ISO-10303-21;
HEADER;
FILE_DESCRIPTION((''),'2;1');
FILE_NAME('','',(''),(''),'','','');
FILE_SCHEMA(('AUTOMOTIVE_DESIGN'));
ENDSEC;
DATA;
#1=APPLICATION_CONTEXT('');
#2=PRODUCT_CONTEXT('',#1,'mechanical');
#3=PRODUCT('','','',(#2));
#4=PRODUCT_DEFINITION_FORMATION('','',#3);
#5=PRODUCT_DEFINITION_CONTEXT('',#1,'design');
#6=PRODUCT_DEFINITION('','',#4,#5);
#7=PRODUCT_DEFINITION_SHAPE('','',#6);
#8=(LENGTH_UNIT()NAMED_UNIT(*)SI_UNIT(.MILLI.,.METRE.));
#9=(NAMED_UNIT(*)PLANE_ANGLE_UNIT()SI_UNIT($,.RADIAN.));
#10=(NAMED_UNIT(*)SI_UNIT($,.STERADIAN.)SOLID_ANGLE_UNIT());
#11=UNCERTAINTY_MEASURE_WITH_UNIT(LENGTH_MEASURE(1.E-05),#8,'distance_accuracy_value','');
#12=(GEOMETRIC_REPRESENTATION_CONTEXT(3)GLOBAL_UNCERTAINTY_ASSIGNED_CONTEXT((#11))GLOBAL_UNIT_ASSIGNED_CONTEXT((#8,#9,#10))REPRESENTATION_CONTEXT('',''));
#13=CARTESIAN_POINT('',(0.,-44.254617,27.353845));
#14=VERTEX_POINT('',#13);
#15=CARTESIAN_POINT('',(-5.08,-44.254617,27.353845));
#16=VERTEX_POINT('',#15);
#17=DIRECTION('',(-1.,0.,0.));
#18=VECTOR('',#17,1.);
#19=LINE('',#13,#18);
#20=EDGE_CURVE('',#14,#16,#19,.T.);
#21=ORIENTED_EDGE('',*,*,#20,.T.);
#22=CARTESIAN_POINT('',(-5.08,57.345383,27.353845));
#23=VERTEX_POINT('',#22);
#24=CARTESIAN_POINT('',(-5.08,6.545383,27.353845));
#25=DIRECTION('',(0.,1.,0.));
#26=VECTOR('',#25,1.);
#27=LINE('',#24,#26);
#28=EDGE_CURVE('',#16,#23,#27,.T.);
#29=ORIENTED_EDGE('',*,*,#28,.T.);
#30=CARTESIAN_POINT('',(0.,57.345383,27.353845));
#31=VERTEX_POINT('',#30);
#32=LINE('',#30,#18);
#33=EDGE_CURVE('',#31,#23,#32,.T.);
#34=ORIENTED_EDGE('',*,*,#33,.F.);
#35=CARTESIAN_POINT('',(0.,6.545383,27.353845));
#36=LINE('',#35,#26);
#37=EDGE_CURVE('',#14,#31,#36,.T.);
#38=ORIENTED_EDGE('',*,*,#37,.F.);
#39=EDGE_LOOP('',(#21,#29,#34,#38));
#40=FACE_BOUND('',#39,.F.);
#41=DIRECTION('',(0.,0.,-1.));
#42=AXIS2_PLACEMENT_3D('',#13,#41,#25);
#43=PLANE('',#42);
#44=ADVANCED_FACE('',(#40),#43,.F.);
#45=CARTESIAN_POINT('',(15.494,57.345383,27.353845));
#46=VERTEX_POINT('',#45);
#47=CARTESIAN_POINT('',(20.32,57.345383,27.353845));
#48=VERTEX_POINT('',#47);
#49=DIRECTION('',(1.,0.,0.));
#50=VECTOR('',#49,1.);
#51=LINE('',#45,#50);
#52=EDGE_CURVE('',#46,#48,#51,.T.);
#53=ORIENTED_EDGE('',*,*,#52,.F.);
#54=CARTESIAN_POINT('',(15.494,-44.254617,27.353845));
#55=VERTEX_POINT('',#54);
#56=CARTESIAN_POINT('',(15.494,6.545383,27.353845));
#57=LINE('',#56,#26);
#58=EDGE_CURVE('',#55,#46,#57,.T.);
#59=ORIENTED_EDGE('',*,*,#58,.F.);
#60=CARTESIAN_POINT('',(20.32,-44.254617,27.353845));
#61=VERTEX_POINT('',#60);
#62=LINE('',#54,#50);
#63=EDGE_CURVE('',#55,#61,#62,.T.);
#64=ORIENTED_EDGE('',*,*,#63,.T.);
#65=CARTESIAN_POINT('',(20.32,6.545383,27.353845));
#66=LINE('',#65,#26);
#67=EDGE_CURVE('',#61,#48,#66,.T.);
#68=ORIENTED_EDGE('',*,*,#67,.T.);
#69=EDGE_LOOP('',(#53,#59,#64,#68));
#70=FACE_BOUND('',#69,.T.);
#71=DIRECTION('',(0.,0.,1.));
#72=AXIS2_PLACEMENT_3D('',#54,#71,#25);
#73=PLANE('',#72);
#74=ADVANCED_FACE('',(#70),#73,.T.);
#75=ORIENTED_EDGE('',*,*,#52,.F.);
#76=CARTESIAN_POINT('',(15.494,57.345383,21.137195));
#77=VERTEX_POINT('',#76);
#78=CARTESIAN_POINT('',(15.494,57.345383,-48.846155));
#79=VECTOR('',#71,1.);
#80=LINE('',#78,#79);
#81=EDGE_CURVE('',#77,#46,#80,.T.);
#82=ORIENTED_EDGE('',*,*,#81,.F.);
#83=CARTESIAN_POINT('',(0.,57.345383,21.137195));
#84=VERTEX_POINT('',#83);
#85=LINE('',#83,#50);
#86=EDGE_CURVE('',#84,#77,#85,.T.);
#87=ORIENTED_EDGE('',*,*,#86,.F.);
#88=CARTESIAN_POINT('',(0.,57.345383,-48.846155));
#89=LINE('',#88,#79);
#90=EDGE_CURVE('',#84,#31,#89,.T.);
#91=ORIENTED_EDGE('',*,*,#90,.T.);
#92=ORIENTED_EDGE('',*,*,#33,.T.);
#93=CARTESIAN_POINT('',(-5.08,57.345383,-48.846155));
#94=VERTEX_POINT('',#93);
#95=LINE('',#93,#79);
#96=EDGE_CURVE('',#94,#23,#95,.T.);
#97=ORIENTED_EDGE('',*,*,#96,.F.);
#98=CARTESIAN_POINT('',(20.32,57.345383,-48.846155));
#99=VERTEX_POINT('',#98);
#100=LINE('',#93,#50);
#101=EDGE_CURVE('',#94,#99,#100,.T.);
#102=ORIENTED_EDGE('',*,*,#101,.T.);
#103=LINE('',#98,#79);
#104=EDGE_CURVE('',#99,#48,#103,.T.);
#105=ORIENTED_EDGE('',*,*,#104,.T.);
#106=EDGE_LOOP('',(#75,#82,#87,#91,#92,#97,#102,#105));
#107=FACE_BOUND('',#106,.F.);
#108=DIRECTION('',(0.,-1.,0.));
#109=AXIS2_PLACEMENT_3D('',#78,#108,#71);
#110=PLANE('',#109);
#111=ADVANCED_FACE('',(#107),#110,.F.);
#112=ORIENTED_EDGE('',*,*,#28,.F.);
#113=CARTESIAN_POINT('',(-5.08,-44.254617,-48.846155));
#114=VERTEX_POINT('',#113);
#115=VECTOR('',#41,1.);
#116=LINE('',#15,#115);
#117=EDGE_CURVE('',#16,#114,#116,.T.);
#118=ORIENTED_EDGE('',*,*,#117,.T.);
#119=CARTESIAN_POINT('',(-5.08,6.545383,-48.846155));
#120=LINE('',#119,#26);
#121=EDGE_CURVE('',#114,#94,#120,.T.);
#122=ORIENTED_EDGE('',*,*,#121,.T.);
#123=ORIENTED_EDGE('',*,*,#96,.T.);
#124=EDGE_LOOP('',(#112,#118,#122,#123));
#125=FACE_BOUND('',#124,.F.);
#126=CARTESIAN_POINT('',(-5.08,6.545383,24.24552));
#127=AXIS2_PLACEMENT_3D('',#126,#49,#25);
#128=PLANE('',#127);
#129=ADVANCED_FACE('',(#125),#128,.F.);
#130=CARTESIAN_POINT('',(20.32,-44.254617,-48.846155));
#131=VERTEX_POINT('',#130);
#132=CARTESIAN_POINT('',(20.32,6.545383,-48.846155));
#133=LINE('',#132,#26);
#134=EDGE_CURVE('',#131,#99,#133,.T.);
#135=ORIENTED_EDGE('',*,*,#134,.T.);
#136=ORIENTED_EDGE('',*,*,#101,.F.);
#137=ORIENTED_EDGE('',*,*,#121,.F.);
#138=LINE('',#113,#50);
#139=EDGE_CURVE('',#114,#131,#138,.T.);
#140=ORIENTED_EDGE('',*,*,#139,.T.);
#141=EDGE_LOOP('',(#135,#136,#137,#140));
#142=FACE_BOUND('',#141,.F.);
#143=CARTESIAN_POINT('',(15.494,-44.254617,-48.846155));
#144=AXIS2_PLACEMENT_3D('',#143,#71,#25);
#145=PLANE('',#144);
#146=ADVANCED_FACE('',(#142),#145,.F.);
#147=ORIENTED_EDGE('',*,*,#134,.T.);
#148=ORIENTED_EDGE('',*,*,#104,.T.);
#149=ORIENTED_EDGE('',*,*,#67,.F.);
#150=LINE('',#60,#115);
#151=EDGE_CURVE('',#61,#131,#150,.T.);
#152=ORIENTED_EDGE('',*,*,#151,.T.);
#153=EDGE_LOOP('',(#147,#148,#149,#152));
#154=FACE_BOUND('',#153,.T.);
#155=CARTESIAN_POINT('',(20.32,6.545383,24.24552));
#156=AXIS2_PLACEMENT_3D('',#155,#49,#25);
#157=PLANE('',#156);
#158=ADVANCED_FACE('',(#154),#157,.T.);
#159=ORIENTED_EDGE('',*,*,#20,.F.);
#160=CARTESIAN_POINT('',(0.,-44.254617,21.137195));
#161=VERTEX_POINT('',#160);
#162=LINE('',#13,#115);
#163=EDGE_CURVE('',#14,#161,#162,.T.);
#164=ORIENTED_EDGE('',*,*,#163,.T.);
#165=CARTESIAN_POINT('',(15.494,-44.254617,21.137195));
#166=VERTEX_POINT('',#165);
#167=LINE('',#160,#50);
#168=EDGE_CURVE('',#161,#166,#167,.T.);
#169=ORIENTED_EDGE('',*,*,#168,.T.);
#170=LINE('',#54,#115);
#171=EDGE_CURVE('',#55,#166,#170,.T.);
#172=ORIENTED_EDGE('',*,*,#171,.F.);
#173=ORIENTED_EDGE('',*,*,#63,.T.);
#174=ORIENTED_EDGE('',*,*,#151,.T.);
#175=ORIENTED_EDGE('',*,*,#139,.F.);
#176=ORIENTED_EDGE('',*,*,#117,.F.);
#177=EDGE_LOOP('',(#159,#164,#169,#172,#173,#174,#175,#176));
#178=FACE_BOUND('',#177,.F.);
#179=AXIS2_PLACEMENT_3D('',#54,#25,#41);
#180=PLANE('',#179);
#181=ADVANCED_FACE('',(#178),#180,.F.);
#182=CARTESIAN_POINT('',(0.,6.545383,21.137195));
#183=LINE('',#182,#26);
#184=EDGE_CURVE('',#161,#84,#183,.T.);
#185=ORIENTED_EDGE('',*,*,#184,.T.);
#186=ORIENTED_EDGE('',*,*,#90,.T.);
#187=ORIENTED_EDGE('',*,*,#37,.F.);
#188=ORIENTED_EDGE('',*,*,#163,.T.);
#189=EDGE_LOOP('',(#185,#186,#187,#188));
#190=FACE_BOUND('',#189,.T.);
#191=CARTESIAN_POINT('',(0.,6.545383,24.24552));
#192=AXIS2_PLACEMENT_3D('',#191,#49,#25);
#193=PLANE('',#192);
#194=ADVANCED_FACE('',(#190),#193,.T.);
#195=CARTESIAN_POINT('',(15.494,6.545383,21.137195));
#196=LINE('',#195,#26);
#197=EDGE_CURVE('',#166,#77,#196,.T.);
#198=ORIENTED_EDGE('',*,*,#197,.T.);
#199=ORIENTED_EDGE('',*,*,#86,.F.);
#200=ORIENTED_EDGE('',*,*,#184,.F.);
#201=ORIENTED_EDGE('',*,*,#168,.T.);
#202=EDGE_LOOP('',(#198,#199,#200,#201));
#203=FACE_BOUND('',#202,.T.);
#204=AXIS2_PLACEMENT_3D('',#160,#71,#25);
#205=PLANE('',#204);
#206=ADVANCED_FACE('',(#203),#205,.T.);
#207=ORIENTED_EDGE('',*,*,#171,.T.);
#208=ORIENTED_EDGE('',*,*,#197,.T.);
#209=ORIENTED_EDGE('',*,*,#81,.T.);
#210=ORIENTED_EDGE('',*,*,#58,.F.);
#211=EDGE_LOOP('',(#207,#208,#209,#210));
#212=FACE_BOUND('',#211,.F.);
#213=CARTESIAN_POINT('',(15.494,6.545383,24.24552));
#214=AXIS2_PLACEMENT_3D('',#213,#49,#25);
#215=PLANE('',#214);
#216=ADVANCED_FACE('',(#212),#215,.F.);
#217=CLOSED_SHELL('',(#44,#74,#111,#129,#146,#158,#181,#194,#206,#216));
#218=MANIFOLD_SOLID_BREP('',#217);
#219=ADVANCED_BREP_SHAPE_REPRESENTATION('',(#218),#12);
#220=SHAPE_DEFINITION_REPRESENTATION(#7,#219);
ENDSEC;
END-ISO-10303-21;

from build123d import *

# Parameters (mm, degrees)
F0_W     = 101.6
F0_H     = 6.21665
F0_H_2   = 69.98335
F1_DEPTH = 5.08
F2_DEPTH = 15.494
F3_START = 15.494
F3_DEPTH = 4.826


with BuildPart() as f1:
    # F0 (on Right) → F1 (new body)
    with BuildSketch(Plane.YZ):
        with Locations((6.5453828692, 24.245519595)):
            Rectangle(F0_W, F0_H)
        with Locations((6.5453828692, -13.854480405)):
            Rectangle(F0_W, F0_H_2)
    extrude(amount=-F1_DEPTH)

    # F0 (on Right) → F2 (join)
    with BuildSketch(Plane.YZ):
        with Locations((6.5453828692, -13.854480405)):
            Rectangle(F0_W, F0_H_2)
    extrude(amount=F2_DEPTH)

    # F0 (on Right) → F3 (join)
    with BuildSketch(Plane.YZ.offset(F3_START)):
        with Locations((6.5453828692, 24.245519595)):
            Rectangle(F0_W, F0_H)
        with Locations((6.5453828692, -13.854480405)):
            Rectangle(F0_W, F0_H_2)
    extrude(amount=F3_DEPTH)


solid = f1.part
